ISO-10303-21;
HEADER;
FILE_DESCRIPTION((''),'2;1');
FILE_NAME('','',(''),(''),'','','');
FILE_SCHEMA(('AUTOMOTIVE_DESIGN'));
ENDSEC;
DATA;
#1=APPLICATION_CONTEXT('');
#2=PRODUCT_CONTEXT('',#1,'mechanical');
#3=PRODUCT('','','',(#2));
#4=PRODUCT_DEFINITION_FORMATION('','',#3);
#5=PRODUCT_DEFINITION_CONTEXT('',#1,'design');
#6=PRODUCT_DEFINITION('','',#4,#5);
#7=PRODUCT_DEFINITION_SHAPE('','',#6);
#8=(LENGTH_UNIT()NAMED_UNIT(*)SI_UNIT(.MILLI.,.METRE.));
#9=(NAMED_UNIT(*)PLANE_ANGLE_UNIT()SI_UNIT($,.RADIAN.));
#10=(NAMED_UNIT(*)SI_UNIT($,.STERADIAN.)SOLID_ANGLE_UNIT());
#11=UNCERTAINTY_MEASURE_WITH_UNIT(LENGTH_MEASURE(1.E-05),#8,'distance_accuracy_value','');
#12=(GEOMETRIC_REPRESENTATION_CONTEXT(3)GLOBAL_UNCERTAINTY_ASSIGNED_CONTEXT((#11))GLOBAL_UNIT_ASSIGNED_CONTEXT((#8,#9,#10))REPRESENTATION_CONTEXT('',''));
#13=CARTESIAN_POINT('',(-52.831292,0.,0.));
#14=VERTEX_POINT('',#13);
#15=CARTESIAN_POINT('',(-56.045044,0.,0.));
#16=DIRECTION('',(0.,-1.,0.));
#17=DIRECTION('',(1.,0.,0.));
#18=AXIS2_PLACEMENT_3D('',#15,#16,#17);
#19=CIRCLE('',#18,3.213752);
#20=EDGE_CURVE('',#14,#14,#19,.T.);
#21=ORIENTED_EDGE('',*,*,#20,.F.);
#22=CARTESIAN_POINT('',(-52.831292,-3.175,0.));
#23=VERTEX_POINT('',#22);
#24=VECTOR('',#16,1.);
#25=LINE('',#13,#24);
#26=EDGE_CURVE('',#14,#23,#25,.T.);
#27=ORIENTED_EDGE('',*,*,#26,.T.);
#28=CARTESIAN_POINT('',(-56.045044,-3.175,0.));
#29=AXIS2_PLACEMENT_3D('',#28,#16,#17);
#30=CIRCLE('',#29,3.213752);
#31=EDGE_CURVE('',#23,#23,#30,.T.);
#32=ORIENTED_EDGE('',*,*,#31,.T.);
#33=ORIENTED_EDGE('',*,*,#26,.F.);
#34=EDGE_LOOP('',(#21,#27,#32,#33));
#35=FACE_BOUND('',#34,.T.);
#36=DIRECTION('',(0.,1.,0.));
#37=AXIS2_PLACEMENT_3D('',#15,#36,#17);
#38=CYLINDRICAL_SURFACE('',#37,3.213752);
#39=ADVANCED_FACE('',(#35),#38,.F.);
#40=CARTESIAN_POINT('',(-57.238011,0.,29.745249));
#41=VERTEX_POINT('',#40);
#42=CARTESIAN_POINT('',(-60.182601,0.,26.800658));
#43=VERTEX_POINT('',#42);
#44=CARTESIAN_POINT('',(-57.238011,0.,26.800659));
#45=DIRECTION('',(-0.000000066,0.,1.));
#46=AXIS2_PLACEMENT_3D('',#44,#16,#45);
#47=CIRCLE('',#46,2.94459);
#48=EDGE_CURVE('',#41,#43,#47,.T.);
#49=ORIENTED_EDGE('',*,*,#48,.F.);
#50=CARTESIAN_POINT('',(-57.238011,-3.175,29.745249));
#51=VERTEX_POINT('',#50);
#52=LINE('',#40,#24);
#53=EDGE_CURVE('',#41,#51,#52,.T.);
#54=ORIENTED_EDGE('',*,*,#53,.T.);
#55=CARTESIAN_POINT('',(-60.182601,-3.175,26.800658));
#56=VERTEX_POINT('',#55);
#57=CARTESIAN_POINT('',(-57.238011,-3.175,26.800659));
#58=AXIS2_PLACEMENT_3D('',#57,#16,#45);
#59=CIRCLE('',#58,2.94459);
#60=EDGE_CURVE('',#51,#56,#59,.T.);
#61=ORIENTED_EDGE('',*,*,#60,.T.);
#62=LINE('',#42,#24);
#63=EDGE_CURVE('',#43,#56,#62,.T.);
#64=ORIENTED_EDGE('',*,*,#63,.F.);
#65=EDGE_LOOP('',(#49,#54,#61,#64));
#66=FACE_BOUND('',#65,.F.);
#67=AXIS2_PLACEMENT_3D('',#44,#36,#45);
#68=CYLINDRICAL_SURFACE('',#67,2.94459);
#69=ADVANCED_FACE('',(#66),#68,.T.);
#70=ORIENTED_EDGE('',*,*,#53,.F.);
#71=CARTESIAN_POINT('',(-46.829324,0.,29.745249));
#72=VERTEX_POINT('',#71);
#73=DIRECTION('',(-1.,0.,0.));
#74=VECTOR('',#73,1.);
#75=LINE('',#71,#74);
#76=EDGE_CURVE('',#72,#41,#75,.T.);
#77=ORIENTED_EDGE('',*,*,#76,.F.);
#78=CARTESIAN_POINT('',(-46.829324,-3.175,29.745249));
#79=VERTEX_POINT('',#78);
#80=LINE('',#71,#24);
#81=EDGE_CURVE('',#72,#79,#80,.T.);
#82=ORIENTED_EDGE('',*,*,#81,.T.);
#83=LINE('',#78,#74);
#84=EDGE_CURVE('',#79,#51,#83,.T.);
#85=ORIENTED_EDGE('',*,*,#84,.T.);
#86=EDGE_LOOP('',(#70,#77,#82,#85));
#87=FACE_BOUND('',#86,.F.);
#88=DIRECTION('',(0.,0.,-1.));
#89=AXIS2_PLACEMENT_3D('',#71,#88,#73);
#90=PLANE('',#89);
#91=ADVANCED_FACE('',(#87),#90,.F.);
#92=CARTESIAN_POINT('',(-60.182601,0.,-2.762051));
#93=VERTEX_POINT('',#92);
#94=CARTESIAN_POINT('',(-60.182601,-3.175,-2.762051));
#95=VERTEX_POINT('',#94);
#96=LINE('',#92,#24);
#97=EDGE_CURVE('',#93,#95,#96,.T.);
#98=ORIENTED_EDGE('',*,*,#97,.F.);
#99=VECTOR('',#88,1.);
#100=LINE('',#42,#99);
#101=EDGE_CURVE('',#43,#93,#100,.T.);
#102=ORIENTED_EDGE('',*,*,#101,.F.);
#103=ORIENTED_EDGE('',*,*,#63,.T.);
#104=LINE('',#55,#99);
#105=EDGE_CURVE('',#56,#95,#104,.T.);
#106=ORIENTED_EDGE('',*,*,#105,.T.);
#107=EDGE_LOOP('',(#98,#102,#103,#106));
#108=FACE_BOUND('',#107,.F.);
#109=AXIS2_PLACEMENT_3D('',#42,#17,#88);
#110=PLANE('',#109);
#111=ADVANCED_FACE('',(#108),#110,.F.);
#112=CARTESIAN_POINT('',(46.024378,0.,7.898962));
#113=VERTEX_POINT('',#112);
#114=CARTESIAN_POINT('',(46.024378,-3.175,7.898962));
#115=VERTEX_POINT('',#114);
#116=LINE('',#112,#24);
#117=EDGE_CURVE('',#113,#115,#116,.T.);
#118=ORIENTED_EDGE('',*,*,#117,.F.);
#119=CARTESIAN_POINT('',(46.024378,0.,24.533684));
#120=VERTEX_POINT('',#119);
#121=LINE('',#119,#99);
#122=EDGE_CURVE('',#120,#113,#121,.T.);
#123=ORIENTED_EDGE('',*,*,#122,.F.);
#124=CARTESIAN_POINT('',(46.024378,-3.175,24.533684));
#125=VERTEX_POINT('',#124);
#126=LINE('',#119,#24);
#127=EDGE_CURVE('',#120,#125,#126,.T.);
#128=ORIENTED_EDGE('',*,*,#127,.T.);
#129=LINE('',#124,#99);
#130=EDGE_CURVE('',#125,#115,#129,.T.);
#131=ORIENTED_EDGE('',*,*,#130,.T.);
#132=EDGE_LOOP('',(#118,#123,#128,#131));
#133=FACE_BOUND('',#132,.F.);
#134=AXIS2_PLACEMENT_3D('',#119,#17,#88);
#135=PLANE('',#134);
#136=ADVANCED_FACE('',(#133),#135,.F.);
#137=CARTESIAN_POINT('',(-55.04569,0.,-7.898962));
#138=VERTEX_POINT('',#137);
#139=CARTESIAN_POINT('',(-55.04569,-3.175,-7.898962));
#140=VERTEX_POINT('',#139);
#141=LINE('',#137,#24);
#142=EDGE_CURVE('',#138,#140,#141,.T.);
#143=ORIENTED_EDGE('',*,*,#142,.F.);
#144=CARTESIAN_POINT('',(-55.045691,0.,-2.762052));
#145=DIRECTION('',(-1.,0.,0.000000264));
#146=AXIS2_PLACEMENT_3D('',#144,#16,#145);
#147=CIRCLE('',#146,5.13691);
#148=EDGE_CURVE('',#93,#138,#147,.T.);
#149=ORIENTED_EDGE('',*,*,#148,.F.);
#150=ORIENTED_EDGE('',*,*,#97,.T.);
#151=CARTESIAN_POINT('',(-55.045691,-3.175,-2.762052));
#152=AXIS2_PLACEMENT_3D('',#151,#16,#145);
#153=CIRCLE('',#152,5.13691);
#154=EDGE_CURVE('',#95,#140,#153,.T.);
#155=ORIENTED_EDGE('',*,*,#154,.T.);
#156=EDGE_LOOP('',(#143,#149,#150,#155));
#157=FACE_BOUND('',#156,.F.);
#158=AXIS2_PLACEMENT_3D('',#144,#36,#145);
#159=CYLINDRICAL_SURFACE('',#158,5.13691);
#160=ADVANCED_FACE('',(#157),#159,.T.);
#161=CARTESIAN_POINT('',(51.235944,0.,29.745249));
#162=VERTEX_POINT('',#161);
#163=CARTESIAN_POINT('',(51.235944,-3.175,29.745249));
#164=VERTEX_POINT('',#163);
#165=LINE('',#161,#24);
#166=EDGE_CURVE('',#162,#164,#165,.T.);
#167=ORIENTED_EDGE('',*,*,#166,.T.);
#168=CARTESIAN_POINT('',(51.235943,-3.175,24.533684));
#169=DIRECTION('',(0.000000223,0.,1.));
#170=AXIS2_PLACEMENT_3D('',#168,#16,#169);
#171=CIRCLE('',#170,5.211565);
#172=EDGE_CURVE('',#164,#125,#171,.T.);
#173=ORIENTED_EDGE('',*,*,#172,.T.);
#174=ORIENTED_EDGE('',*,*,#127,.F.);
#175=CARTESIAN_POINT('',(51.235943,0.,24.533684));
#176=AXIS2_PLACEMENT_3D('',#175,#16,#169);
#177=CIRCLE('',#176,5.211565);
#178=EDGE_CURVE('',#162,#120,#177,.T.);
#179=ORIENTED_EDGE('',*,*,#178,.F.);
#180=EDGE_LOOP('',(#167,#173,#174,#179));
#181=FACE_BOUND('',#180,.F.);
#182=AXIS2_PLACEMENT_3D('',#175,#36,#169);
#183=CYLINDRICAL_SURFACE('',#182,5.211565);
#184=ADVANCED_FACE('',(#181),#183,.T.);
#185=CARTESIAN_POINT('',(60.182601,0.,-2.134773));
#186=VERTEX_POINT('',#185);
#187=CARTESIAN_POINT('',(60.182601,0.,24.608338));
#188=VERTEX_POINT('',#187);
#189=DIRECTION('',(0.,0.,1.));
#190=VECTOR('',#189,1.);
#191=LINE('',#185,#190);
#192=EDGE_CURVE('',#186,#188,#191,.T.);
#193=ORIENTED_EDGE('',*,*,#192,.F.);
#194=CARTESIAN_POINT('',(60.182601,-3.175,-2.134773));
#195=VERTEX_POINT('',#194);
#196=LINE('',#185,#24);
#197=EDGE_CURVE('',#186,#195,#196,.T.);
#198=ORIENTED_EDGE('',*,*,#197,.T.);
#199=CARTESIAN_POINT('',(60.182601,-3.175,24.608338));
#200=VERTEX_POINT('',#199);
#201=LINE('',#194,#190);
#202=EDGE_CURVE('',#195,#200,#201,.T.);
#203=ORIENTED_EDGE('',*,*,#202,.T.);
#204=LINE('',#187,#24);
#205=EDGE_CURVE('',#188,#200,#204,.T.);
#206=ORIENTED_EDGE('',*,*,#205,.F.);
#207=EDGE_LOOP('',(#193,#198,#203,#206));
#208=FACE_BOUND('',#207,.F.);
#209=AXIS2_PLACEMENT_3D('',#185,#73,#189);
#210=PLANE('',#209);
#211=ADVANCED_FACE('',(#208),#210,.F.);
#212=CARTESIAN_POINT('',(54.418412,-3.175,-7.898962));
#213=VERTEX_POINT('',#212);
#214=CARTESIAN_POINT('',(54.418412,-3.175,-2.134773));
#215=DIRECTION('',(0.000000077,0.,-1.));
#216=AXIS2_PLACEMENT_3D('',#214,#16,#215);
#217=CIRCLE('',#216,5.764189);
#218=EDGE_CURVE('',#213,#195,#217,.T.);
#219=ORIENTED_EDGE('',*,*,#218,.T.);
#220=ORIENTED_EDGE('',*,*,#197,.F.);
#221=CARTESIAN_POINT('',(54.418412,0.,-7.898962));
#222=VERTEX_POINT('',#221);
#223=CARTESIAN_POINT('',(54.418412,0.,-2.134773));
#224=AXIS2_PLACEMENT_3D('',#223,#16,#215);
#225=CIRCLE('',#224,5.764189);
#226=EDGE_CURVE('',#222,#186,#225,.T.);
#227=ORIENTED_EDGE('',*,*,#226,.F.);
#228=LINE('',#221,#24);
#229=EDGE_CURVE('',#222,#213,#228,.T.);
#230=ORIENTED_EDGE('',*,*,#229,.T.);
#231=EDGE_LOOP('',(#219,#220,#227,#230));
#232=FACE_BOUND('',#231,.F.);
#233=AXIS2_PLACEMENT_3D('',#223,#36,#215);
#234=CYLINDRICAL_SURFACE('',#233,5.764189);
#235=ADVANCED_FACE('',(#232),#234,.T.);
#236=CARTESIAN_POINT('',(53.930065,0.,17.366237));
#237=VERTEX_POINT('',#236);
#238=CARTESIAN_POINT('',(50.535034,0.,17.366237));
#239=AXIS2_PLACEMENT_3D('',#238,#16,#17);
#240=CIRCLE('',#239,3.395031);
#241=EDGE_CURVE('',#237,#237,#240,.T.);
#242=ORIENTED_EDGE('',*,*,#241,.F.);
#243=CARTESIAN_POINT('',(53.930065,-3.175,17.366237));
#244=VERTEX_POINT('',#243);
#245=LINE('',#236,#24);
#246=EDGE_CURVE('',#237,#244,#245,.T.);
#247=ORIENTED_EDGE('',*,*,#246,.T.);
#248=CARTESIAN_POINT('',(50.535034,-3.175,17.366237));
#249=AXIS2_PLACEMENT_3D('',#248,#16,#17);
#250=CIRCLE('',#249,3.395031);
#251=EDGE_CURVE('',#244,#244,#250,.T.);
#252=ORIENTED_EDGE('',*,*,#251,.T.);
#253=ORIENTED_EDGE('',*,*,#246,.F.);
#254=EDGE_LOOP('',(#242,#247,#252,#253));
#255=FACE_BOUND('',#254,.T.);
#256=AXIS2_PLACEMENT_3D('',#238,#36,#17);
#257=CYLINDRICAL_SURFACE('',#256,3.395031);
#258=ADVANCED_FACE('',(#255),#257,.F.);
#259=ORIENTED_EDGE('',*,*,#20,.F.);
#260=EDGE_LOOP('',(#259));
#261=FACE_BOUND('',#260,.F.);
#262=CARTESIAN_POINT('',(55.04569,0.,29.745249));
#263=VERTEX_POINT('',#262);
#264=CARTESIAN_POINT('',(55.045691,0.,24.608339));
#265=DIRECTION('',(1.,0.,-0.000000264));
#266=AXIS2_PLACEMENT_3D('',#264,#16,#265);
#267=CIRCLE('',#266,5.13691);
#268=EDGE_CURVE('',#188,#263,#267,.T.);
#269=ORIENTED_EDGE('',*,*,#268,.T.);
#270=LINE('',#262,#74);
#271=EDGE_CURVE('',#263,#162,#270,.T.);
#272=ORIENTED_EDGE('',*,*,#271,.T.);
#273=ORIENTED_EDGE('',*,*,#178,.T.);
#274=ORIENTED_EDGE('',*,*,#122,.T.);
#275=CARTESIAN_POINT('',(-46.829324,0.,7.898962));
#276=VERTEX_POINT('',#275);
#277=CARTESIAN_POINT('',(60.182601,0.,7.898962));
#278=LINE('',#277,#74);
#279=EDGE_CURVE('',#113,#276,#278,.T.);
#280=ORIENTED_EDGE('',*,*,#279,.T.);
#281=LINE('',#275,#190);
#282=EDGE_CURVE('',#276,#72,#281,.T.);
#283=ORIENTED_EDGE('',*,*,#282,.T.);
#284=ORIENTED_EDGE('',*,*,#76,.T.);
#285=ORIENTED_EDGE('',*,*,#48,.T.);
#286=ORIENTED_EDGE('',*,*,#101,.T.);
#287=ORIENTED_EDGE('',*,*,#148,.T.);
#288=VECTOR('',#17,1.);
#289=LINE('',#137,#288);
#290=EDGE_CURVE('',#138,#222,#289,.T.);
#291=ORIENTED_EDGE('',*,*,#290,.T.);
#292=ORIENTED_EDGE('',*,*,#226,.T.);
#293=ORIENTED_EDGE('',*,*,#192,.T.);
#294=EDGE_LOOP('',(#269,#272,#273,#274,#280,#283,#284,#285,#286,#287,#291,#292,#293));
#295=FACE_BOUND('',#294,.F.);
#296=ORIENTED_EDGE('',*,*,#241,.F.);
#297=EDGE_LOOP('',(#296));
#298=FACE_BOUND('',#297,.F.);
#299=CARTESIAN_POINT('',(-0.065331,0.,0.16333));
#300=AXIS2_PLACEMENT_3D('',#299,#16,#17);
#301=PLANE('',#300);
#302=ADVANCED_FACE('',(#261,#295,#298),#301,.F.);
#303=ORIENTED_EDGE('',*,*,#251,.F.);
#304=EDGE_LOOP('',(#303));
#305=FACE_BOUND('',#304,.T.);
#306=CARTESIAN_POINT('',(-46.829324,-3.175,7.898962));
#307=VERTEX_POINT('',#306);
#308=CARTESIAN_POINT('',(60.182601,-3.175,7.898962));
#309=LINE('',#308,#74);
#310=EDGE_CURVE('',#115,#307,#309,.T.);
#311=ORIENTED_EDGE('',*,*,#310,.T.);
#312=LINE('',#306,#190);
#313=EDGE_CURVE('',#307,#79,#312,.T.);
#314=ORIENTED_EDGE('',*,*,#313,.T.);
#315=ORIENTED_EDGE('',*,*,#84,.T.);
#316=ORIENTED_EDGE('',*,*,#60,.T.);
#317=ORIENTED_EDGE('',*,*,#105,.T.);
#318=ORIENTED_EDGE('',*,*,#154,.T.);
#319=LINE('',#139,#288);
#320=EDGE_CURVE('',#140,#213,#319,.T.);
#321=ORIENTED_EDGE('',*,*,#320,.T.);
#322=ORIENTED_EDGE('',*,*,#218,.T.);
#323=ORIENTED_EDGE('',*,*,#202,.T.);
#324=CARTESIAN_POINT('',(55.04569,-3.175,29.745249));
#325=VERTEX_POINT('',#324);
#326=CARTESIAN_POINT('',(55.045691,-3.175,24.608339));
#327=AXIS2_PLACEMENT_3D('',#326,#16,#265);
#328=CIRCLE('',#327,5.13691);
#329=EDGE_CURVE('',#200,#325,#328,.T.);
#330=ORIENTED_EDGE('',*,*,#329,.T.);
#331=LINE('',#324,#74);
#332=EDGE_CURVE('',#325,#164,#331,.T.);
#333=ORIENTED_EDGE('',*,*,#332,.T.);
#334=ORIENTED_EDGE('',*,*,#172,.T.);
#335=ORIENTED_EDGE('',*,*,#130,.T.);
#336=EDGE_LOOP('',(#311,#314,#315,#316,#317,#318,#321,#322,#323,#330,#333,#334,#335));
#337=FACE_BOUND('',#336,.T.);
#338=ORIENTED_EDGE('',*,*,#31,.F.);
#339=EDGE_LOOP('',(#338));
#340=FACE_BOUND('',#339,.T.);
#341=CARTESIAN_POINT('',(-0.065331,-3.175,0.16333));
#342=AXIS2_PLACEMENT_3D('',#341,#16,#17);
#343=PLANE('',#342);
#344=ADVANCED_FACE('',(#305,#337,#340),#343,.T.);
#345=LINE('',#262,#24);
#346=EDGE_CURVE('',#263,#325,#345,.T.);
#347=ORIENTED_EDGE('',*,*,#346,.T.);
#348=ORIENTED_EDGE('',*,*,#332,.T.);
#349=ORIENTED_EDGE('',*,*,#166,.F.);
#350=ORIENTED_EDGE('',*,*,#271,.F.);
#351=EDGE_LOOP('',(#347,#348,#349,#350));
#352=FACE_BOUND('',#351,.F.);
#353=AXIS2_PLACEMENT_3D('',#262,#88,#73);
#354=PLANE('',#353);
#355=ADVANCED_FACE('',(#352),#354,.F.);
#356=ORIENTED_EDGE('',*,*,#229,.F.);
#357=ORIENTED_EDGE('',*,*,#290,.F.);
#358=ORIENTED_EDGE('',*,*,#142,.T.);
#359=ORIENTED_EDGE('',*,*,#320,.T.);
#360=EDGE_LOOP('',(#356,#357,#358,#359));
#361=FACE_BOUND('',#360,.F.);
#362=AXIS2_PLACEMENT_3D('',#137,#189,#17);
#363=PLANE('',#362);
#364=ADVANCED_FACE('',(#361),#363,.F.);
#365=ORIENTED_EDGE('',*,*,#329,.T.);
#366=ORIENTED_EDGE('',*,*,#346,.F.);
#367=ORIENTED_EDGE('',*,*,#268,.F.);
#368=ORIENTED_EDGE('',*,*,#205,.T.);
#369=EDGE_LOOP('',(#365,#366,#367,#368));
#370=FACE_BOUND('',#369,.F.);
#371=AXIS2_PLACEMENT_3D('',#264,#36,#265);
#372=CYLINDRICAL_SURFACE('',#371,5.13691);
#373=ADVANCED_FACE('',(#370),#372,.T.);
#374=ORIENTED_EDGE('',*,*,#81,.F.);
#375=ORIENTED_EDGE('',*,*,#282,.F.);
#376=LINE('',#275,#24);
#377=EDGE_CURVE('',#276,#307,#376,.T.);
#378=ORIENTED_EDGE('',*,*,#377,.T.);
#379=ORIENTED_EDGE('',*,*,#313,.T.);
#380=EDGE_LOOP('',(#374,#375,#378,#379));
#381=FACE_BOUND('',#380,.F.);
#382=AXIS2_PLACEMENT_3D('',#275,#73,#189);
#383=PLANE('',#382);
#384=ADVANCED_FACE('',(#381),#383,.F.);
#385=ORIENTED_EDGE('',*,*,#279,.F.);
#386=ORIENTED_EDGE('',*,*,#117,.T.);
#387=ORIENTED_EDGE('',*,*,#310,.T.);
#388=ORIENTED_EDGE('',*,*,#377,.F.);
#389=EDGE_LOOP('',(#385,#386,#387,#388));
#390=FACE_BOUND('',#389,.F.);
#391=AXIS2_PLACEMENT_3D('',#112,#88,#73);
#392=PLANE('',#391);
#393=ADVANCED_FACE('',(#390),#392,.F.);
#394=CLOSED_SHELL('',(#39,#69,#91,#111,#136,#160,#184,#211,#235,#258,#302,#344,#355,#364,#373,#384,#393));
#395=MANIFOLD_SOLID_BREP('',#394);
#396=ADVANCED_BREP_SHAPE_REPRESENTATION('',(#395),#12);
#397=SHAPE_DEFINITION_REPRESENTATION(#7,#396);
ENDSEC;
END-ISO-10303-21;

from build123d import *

# Parameters (mm, degrees)
F0_R     = 3.213752
F0_R_2   = 3.395031
F1_DEPTH = 3.175


with BuildPart() as f1:
    # F0 (on Front) → F1 (new body)
    with BuildSketch(Plane.XZ):
        with BuildLine():
            Line((-46.829324, 7.898962), (-60.182601, 7.898962))
            Line((-60.182601, 7.898962), (-60.182601, -2.762051))
            ThreePointArc((-60.182601, -2.762051), (-58.678035, -6.394396), (-55.04569, -7.898962))
            Line((-55.04569, -7.898962), (54.418412, -7.898962))
            ThreePointArc((54.418412, -7.898962), (58.494309, -6.21067), (60.182601, -2.134773))
            Line((60.182601, -2.134773), (60.182601, 7.898962))
            Line((60.182601, 7.898962), (46.024378, 7.898962))
            Line((46.024378, 7.898962), (-46.829324, 7.898962))
        make_face()
        with Locations((-56.045044, 0)):
            Circle(F0_R, mode=Mode.SUBTRACT)
        with BuildLine():
            Line((46.024378, 24.533684), (46.024378, 7.898962))
            Line((46.024378, 7.898962), (60.182601, 7.898962))
            Line((60.182601, 7.898962), (60.182601, 24.608338))
            ThreePointArc((60.182601, 24.608338), (58.678035, 28.240683), (55.04569, 29.745249))
            Line((55.04569, 29.745249), (51.235944, 29.745249))
            ThreePointArc((51.235944, 29.745249), (47.55081, 28.218817), (46.024378, 24.533684))
        make_face()
        with Locations((50.535034, 17.366237)):
            Circle(F0_R_2, mode=Mode.SUBTRACT)
        with BuildLine():
            Line((-60.182601, 26.800658), (-60.182601, 7.898962))
            Line((-60.182601, 7.898962), (-46.829324, 7.898962))
            Line((-46.829324, 7.898962), (-46.829324, 29.745249))
            Line((-46.829324, 29.745249), (-57.238011, 29.745249))
            ThreePointArc((-57.238011, 29.745249), (-59.320151, 28.882798), (-60.182601, 26.800658))
        make_face()
    extrude(amount=F1_DEPTH)


solid = f1.part
